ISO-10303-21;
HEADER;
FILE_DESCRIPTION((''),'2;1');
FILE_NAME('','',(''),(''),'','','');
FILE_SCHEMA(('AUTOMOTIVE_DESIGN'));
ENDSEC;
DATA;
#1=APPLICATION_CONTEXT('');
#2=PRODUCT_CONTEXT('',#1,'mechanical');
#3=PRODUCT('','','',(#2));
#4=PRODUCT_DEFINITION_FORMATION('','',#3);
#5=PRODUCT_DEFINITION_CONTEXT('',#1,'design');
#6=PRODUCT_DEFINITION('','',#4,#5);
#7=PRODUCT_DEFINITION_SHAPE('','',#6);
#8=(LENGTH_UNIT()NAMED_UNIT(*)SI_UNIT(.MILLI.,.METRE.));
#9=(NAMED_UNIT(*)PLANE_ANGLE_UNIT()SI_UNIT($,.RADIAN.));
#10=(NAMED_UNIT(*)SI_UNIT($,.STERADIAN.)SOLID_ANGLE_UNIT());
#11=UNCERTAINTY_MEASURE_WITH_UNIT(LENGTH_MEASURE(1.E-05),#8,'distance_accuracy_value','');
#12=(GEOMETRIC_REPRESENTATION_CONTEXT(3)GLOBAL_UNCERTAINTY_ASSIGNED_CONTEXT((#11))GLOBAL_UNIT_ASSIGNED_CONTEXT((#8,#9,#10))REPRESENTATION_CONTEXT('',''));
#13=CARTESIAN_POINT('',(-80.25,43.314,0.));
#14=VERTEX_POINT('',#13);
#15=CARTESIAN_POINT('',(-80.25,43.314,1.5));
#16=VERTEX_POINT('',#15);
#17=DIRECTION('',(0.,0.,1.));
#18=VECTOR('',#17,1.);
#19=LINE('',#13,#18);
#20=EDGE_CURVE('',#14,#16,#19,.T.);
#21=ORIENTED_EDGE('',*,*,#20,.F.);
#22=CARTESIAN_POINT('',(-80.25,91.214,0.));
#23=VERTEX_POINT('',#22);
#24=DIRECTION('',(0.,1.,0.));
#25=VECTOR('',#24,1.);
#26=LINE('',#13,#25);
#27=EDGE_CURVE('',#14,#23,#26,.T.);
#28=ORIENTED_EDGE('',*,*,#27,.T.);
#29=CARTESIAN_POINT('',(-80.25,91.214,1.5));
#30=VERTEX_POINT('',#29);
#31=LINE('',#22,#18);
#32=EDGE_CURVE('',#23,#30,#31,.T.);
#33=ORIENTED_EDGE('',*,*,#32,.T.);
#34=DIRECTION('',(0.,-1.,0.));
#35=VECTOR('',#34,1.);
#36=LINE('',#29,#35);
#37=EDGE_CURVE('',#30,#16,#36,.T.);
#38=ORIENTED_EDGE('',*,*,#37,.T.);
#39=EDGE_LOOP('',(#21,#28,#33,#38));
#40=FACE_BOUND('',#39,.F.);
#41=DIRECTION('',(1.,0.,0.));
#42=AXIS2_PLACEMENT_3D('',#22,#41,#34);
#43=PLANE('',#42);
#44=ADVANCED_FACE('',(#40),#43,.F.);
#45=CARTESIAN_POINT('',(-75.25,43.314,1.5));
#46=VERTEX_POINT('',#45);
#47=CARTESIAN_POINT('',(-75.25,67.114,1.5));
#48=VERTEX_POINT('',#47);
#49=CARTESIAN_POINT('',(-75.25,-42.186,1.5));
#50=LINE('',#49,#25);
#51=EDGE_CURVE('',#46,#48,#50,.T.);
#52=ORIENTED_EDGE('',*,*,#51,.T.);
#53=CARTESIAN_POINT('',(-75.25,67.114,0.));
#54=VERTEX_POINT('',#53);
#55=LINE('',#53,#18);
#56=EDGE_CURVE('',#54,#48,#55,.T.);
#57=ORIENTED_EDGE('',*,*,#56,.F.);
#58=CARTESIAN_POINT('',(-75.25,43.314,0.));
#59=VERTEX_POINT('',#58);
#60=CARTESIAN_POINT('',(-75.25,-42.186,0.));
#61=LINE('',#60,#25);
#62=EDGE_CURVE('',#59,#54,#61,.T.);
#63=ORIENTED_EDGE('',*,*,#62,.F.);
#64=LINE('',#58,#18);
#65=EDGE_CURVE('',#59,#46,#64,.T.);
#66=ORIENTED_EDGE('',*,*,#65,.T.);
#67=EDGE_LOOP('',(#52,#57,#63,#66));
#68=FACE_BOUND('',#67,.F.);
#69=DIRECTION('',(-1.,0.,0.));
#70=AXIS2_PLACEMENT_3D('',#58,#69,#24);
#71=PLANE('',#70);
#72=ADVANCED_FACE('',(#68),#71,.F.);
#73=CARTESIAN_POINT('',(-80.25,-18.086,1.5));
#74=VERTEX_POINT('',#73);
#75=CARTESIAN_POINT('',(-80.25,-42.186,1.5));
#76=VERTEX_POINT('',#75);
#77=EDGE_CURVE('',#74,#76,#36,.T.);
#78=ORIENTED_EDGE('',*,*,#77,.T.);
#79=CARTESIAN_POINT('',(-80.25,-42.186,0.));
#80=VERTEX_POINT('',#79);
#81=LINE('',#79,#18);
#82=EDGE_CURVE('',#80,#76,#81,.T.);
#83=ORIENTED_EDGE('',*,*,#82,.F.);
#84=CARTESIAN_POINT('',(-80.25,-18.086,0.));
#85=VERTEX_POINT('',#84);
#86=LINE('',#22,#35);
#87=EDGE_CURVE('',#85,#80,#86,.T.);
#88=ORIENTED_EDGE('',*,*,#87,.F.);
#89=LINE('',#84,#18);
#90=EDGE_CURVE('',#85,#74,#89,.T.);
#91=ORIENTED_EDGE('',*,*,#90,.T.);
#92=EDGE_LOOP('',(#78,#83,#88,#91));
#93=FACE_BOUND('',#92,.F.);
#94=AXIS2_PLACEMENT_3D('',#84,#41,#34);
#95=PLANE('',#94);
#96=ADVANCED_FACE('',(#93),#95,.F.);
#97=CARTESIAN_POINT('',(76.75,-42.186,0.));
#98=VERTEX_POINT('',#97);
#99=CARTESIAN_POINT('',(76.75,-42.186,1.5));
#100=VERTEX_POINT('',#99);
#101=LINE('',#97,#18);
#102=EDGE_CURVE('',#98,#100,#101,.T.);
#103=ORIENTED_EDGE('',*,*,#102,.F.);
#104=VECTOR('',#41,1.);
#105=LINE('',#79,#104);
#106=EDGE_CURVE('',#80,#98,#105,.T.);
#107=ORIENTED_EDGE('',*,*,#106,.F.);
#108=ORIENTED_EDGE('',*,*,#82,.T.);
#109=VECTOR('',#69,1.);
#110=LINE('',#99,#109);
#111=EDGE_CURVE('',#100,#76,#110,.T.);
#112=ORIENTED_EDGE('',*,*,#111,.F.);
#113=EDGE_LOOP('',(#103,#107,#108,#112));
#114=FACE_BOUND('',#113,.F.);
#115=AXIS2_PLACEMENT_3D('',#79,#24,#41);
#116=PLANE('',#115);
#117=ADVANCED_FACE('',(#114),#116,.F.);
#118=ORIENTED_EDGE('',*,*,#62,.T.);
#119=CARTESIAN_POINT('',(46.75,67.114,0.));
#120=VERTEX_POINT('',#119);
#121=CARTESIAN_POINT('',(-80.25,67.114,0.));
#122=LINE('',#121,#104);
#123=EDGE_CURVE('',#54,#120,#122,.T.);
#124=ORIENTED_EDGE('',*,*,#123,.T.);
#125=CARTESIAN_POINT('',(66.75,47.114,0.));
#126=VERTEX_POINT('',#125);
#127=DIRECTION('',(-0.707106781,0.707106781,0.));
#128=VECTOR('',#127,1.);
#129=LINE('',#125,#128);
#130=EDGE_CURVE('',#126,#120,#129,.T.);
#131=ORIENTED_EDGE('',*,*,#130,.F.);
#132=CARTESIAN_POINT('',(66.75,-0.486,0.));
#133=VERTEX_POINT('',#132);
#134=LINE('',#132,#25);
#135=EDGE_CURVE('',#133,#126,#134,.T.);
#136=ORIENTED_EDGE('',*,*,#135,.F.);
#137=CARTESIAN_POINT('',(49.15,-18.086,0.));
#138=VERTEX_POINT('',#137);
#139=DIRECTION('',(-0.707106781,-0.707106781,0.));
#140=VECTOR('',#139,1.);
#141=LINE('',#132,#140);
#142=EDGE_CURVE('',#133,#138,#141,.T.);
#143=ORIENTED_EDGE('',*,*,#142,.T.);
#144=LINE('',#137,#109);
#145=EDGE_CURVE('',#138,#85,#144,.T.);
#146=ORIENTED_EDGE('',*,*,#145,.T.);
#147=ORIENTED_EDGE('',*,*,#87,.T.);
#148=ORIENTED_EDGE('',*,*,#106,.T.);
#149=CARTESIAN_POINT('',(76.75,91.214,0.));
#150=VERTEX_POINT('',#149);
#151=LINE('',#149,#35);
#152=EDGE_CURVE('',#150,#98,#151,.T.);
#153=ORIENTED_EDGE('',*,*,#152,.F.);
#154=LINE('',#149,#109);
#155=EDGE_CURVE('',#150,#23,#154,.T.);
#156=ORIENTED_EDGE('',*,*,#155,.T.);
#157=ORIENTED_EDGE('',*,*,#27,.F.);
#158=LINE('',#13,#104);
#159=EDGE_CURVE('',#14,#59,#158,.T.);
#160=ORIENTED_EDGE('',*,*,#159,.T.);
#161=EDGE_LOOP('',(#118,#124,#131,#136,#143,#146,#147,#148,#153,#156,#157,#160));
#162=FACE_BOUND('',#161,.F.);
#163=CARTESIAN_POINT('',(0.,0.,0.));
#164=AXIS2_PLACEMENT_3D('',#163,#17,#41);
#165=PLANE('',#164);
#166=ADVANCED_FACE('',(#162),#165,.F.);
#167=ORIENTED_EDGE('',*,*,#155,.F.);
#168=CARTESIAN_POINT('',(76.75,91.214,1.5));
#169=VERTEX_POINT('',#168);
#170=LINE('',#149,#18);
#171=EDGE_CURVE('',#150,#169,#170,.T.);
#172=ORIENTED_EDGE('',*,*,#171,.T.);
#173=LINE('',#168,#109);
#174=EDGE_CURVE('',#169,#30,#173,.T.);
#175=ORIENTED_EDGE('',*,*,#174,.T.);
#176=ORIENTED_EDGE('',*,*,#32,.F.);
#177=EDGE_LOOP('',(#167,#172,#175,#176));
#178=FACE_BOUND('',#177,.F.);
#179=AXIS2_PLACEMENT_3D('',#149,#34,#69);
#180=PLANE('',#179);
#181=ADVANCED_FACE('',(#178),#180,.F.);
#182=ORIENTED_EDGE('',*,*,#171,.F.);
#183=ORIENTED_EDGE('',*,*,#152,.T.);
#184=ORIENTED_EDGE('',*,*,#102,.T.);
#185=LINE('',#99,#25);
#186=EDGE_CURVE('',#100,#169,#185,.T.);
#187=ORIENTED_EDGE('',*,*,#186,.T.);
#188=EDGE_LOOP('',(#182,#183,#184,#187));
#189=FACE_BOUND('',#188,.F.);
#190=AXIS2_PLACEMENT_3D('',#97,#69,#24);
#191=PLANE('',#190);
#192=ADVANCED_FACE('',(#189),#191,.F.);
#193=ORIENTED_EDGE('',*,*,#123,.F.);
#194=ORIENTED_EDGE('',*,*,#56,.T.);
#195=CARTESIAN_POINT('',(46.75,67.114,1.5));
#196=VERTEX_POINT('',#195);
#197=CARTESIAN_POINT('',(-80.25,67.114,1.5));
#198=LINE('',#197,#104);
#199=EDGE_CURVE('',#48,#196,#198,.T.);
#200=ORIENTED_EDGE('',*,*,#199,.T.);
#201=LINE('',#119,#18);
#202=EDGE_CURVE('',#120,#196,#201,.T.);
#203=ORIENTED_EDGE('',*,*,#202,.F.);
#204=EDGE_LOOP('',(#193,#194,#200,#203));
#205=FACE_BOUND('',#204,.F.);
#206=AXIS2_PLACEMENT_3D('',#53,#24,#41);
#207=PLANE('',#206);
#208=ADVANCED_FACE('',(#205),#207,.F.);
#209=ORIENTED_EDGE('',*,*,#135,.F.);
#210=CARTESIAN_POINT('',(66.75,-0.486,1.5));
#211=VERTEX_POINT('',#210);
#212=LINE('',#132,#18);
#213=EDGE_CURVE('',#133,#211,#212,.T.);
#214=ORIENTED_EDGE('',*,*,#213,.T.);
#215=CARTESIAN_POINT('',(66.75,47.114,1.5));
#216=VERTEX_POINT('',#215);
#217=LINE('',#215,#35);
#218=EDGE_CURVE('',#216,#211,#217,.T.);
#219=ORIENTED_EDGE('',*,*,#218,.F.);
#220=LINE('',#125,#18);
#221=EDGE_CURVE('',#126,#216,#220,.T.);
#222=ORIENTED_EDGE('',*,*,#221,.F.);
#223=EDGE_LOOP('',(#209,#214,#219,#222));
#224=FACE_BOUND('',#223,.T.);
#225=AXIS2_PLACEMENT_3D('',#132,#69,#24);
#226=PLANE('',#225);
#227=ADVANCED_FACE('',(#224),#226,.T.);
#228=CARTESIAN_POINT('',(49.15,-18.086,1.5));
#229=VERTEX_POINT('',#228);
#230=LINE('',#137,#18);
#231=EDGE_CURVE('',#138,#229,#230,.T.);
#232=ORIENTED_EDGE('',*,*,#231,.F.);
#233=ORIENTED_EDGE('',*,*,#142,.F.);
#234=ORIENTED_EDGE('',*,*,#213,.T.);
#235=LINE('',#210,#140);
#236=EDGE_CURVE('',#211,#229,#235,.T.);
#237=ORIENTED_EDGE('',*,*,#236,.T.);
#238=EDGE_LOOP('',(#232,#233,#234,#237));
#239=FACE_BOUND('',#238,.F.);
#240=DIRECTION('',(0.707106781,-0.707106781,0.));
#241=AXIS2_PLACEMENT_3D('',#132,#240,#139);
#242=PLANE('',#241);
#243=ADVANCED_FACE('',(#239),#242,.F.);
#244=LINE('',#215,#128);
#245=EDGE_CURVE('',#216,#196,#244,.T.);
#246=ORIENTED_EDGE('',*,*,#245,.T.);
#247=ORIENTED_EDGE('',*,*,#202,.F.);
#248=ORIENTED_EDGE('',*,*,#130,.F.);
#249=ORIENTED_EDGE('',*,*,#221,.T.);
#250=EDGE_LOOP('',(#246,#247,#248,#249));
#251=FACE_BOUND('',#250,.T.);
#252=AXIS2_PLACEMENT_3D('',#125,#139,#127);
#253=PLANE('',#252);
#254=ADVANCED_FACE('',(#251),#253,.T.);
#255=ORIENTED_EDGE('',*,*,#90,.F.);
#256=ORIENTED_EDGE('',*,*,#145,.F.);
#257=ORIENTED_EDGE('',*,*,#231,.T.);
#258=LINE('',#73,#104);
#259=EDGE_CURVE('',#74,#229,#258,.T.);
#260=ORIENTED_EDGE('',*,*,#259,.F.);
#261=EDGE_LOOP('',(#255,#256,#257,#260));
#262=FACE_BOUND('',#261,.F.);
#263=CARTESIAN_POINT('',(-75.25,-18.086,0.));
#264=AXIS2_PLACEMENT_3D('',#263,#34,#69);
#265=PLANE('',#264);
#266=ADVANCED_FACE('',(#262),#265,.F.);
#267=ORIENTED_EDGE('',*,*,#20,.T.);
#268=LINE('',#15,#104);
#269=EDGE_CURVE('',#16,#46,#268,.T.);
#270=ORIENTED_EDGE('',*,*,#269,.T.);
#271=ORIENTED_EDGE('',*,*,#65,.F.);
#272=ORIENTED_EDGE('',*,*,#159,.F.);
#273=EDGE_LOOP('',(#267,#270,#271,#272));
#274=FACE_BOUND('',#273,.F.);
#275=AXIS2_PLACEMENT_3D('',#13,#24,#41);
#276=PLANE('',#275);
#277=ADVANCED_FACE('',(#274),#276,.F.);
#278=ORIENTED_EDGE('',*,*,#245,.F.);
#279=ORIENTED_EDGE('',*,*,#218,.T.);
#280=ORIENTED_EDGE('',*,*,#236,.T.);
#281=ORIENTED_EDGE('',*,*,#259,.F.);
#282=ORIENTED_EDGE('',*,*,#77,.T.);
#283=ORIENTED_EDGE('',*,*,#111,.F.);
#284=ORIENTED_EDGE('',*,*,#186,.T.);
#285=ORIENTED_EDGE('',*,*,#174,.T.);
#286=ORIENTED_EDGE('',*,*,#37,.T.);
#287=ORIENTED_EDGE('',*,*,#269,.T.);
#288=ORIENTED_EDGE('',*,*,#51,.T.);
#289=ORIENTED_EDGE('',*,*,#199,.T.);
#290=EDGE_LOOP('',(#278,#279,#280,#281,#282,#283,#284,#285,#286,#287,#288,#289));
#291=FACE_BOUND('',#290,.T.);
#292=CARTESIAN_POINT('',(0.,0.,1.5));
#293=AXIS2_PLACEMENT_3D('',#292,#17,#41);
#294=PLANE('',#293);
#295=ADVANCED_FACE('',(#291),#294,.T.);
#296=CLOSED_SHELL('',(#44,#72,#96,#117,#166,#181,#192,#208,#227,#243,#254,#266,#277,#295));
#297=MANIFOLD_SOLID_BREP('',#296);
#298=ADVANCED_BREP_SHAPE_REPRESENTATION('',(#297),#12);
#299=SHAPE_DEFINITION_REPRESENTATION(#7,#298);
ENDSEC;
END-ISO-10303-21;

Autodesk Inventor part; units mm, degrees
ref_plane "YZ Plane" through (0, 0, 0) normal (1, 0, 0) x (0, 1, 0)
ref_plane "XZ Plane" through (0, 0, 0) normal (0, 1, 0) x (-1, 0, 0)
ref_plane "XY Plane" through (0, 0, 0) normal (0, 0, 1) x (1, 0, 0)
sketch "Эскиз1" plane through (0, 0, 0) normal (0, 0, 1) x (1, 0, 0)
  line L0 (0, 0) -> (-80.25, 0) construction
  line L1 (-80.25, 0) -> (-80.25, -18.086) construction
  line L2 (-80.25, -18.086) -> (0, -18.086) construction
  line L3 (0, -18.086) -> (0, 0) construction
  line L4 (-80.25, -18.086) -> (-80.25, -42.186) construction
  line L5 (-80.25, -18.086) -> (-56.15, -18.086) construction
  line L6 (-80.25, -42.186) -> (76.75, -42.186)
  line L7 (76.75, -42.186) -> (76.75, 91.214)
  line L8 (76.75, 91.214) -> (-80.25, 91.214)
  line L9 (-80.25, 91.214) -> (-80.25, -42.186)
  line L10 (-80.25, -42.186) -> (76.75, -42.186)
  line L11 (76.75, -42.186) -> (76.75, -18.086)
  line L12 (76.75, -18.086) -> (-80.25, -18.086)
  line L13 (-80.25, -18.086) -> (-80.25, -42.186)
  line L14 (76.75, 91.214) -> (-80.25, 91.214)
  line L15 (-80.25, 91.214) -> (-80.25, 67.114)
  line L16 (-80.25, 67.114) -> (76.75, 67.114)
  line L17 (76.75, 67.114) -> (76.75, 91.214)
  line L18 (-80.25, -42.186) -> (-75.25, -42.186)
  line L19 (-75.25, -42.186) -> (-75.25, 88.814)
  line L20 (-75.25, 88.814) -> (-80.25, 88.814)
  line L21 (-80.25, 88.814) -> (-80.25, -42.186)
  line L22 (76.75, -42.186) -> (66.75, -42.186)
  line L23 (66.75, -42.186) -> (66.75, 88.814)
  line L24 (66.75, 88.814) -> (76.75, 88.814)
  line L25 (76.75, 88.814) -> (76.75, -42.186)
  line L26 (76.75, -42.186) -> (41.75, -42.186)
  line L27 (41.75, -42.186) -> (41.75, -22.186)
  line L28 (41.75, -42.186) -> (61.75, -42.186) construction
  line L29 (76.75, 23.314) -> (-80.25, 23.314)
  line L30 (41.75, 88.814) -> (41.75, 68.814)
  line L31 (66.75, 67.114) -> (66.75, 47.114)
  line L32 (66.75, 47.114) -> (46.75, 67.114)
  line L33 (66.75, 47.114) -> (95.0343, 47.114) construction
  line L34 (66.75, -0.486) -> (46.75, -20.486)
  line L35 (-75.25, 23.314) -> (-80.25, 23.314)
  line L36 (-80.25, 23.314) -> (-80.25, 43.314)
  line L37 (-80.25, 43.314) -> (-75.25, 43.314)
  line L38 (-75.25, 43.314) -> (-75.25, 23.314)
  point P0 (-75.25, -18.086)
  point P1 (-75.25, 67.114)
  point P2 (71.75, 70.413)
  point P3 (66.75, -18.086)
  point P4 (66.75, -0.486)
  point P5 (49.15, -18.086)
  point P6 (-80.25, 43.314)
  point P7 (-75.25, 43.314)
  point P8 (-80.25, -18.086)
  dimension "d0" = 80.25
  dimension "d1" = 18.086
  dimension "d2" = 24.1
  dimension "d3" = 90
  dimension "d4" = 157
  dimension "d5" = 133.4
  dimension "d6" = 157
  dimension "d7" = 24.1
  dimension "d8" = 157
  dimension "d9" = 24.1
  dimension "d10" = 5
  dimension "d11" = 131
  dimension "d12" = 10
  dimension "d13" = 131
  dimension "d16" = 35
  dimension "d17" = 20
  dimension "d18" = 90
  dimension "d19" = 20
  dimension "d20" = 135
  dimension "d21" = 20
extrude "Выдавливание1" add sketch "Эскиз1" along normal blind 1.5 contours L9 L12 L19 L6 | L19 L12 L23 L6 | L23 L12 L7 L6 | L34 L23 L12 | L9 L16 L19 L37 | L23 L29 L7 L12 | L23 L16 L7 L29 | L9 L20 L19 L16 | L19 L20 L9 L8 L7 L24 L23 L16 | L32 L16 L23 | L23 L24 L7 L16
sketch "Эскиз2" plane through (-80.25, -42.186, 0) normal (0, -1, 0) x (1, 0, 0)
  line L0 (129.4, 0) -> (0, 0) projected
  line L1 (157, 0) -> (0, 0) projected
  line L2 (0, 0) -> (157, 0)
  line L3 (157, 0) -> (78.5, 0)
  line L4 (78.5, 0) -> (78.5, -20)
  line L5 (78.5, -20) -> (73.5, -20)
  line L6 (73.5, -20) -> (49.6649, 0)
  line L7 (78.5, -20) -> (83.5, -20)
  line L8 (83.5, -20) -> (107.3351, 0)
  point P0 (80.25, 0)
  dimension "d22" = 20
  dimension "d24" = 5
  dimension "d25" = 140
properties part number "sensor board"
